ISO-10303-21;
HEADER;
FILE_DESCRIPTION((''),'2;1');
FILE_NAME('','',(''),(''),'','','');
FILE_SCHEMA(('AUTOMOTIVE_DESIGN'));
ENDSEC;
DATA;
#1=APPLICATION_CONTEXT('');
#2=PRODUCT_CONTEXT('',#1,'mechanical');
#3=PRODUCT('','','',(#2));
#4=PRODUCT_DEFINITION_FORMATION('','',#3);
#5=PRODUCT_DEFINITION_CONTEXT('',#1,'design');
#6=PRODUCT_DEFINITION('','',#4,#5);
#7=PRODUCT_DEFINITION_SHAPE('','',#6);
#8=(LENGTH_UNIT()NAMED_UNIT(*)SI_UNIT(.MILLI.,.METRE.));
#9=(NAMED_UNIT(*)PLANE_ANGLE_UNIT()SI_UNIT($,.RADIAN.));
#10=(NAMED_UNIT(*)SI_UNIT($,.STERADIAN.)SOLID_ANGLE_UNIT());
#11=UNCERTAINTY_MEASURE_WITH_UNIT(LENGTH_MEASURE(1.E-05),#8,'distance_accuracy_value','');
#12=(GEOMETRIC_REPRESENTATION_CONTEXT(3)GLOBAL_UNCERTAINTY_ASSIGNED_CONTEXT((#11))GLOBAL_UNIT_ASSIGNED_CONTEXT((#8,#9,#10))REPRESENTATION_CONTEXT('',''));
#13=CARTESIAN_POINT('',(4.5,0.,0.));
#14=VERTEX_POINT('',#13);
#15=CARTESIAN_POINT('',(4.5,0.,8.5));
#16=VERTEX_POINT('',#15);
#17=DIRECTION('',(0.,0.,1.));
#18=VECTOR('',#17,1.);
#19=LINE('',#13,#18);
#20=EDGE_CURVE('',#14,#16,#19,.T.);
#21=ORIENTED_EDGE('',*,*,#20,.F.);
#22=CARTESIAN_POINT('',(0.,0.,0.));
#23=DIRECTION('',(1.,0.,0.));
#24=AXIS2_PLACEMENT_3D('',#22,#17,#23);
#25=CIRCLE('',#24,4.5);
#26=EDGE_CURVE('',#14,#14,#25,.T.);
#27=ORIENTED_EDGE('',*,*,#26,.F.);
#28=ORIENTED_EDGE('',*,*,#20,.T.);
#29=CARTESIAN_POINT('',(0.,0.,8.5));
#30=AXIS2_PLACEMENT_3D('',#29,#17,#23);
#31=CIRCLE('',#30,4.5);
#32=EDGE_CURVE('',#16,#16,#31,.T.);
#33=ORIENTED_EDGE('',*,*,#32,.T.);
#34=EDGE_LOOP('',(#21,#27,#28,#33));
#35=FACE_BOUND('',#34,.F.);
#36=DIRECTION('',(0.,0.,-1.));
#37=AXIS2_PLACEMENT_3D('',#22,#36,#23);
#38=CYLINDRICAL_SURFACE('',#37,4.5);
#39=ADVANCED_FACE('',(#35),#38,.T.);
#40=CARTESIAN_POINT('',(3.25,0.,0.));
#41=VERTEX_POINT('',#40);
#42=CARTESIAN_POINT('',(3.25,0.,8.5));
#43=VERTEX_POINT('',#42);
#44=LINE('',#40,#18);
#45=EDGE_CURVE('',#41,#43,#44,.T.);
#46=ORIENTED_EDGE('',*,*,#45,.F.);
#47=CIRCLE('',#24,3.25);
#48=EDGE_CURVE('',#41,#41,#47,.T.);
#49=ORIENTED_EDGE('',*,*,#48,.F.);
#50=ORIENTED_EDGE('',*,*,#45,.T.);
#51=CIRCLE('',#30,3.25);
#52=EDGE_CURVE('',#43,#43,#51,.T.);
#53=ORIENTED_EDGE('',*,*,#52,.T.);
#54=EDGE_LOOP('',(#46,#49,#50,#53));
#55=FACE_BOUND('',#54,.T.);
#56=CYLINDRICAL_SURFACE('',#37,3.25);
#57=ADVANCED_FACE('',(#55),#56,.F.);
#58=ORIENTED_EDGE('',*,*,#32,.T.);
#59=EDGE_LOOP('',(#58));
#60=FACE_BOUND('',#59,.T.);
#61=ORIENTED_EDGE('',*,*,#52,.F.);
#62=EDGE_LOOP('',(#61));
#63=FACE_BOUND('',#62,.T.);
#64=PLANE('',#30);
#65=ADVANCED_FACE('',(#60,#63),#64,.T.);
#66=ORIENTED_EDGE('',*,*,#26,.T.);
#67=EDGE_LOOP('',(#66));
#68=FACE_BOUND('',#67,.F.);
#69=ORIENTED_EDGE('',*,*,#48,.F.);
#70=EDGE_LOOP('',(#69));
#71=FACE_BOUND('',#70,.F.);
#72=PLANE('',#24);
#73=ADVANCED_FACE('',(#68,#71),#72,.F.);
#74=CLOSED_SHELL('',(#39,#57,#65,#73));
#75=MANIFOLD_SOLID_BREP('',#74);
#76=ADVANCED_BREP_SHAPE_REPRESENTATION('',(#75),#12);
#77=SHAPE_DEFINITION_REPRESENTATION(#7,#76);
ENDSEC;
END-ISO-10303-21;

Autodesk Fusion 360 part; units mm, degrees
sketch "Sketch1" plane through (0, 0, 0) normal (0, 0, 1) x (1, 0, 0)
  circle A0 centre (0, 0) radius 3.25
  circle A1 centre (0, 0) radius 4.5
  dimension "d1" = 6.5
  dimension "d2" = 9
extrude "Extrude1" add sketch "Sketch1" along normal blind 8.5
